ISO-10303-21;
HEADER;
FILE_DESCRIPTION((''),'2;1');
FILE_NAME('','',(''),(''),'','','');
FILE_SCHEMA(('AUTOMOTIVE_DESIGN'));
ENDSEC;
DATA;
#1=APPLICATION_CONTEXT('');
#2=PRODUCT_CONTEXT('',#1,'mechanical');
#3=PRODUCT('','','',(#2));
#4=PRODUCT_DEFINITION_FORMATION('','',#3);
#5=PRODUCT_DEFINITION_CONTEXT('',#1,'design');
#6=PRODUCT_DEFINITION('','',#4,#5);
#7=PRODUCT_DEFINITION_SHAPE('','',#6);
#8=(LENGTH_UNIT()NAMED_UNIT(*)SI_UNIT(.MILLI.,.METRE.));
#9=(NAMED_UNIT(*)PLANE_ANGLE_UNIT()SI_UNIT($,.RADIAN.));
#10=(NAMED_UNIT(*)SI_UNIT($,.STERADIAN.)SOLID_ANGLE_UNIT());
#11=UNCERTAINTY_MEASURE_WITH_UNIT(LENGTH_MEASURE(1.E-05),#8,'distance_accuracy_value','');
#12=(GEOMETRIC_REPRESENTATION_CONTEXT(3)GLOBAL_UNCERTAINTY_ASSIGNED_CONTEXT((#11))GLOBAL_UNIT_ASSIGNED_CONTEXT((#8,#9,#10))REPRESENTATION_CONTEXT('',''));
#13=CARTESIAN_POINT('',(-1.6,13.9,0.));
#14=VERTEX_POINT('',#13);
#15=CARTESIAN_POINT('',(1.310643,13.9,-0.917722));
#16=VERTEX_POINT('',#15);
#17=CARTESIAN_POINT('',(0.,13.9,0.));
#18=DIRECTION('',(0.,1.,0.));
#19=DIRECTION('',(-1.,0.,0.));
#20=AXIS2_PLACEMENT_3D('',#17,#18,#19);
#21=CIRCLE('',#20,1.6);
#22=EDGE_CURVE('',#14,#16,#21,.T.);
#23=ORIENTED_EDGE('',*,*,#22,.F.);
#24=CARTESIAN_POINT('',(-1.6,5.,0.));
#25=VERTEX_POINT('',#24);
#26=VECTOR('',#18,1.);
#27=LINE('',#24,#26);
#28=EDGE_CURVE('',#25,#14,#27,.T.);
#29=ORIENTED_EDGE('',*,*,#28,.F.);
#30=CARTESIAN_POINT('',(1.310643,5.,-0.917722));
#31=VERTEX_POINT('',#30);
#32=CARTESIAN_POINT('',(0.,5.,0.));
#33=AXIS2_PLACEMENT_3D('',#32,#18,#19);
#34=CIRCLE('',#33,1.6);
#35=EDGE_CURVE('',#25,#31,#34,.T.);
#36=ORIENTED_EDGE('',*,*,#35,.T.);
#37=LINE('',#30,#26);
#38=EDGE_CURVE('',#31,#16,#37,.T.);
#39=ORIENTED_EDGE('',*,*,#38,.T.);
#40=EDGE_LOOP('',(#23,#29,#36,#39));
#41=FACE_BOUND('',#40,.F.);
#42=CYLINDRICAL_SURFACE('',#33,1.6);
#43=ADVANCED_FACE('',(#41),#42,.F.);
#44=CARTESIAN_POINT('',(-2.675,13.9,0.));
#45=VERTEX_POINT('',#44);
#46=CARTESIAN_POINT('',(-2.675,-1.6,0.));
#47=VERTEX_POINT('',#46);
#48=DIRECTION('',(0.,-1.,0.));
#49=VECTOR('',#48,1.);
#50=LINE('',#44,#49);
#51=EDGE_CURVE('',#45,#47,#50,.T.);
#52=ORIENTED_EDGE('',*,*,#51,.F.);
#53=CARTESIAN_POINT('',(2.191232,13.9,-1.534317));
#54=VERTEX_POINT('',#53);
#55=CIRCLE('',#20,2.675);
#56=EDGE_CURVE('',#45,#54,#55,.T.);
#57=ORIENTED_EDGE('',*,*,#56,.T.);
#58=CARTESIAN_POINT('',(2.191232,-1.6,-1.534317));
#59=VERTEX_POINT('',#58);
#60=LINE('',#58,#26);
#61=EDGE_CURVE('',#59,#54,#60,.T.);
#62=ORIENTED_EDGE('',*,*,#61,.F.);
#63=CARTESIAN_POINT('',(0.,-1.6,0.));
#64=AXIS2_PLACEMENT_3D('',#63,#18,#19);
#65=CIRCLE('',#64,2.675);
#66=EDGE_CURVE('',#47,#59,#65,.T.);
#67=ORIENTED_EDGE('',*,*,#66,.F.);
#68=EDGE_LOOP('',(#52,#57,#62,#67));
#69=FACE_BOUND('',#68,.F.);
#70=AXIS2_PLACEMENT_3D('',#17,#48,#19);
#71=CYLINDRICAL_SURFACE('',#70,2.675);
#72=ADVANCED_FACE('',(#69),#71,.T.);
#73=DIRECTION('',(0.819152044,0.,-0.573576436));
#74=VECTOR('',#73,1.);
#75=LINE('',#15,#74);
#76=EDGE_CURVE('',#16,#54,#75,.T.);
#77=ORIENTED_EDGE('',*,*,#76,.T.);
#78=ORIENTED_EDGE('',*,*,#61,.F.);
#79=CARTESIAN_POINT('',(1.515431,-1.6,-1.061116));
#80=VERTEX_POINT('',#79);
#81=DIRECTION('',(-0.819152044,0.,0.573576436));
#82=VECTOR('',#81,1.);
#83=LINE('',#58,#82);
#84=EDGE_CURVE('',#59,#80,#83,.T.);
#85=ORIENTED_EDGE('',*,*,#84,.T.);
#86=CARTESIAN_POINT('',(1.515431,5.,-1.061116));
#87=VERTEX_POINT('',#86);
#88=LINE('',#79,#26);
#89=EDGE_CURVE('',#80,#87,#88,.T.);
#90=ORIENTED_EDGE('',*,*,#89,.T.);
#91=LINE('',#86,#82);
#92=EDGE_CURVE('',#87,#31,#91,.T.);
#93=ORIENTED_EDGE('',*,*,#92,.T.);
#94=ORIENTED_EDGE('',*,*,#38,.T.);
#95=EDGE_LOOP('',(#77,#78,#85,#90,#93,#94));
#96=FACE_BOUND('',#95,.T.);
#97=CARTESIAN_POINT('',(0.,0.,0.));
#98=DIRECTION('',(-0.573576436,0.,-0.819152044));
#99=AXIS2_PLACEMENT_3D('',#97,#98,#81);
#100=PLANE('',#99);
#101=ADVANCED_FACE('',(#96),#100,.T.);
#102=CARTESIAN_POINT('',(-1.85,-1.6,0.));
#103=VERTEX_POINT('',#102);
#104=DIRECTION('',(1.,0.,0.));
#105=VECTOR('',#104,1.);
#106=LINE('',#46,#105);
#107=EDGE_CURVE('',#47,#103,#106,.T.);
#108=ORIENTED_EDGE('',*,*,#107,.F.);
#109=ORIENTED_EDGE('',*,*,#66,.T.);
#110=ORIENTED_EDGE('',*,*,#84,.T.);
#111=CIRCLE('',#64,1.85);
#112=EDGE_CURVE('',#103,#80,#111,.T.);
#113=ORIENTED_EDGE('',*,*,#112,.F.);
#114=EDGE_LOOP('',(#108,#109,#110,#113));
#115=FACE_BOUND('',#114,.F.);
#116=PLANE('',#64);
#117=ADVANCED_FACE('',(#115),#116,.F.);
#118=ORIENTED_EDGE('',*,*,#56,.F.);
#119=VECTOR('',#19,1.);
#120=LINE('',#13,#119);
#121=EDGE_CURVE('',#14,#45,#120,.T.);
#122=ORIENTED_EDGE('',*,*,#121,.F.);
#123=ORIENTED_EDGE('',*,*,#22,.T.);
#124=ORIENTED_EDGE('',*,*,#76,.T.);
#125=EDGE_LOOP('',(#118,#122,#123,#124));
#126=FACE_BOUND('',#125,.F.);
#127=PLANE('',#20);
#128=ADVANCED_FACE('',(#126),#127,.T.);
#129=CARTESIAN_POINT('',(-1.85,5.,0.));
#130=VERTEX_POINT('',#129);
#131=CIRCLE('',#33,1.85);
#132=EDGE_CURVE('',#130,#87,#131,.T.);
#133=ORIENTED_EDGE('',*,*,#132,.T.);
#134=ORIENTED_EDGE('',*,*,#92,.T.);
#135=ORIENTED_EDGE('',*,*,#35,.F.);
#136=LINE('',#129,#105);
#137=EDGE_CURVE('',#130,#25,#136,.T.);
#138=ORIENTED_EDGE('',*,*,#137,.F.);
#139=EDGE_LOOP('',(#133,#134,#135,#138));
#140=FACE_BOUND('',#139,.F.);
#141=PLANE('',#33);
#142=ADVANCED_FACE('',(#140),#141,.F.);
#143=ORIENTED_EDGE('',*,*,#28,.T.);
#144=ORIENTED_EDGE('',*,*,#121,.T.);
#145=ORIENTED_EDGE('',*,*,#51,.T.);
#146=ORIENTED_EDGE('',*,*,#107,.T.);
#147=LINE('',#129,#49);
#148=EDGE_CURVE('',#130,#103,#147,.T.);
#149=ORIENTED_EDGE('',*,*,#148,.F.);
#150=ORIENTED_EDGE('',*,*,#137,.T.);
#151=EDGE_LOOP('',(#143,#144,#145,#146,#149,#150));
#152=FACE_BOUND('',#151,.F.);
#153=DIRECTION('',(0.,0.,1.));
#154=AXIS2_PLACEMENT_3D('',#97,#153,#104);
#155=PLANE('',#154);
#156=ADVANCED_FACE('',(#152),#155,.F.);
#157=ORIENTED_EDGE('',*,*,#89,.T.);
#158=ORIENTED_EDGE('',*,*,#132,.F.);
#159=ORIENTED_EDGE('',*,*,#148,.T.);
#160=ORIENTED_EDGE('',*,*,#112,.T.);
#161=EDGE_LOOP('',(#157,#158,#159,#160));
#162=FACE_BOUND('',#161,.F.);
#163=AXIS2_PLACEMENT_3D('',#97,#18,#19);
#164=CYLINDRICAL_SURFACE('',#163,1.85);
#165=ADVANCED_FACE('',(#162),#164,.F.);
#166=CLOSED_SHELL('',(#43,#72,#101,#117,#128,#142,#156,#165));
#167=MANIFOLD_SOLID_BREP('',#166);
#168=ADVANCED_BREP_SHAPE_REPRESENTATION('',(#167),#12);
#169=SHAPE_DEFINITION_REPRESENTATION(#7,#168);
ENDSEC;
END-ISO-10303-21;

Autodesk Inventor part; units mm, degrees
ref_plane "YZ Plane" through (0, 0, 0) normal (1, 0, 0) x (0, 1, 0)
ref_plane "XZ Plane" through (0, 0, 0) normal (0, 1, 0) x (-1, 0, 0)
ref_plane "XY Plane" through (0, 0, 0) normal (0, 0, 1) x (1, 0, 0)
sketch "Sketch2" plane through (0, 0, 0) normal (0, 0, 1) x (1, 0, 0)
  line L0 (-1.85, 0) -> (-1.85, 5)
  line L1 (-1.85, 5) -> (-1.6, 5)
  line L2 (-1.6, 5) -> (-1.6, 13.9)
  line L3 (-1.6, 13.9) -> (-2.675, 13.9)
  line L4 (-2.675, 13.9) -> (-2.675, 0)
  line L5 (-2.675, 0) -> (-1.85, 0)
  line L6 (0, 0) -> (0, 15.301) construction
  line L7 (0, 0) -> (-6.0008, 0) construction
  line L8 (-2.675, 0) -> (-2.675, -1.6)
  line L9 (-2.675, -1.6) -> (-1.85, -1.6)
  line L10 (-1.85, -1.6) -> (-1.85, 0)
  point P0 (-2.2625, -1.6)
  point P1 (-1.85, 0)
  point P2 (-2.675, -0.8)
  dimension "d0" = 1.85
  dimension "d1" = 1.6
  dimension "d2" = 5
  dimension "d3" = 1.6
  dimension "d7" = 13.9
  dimension "d9" = 2.675
revolve "Revolution1" add sketch "Sketch2" angle 215 about axis through (0, 0, 0) along (0, 1, 0)
properties part number "Fuehrung_Taster"
